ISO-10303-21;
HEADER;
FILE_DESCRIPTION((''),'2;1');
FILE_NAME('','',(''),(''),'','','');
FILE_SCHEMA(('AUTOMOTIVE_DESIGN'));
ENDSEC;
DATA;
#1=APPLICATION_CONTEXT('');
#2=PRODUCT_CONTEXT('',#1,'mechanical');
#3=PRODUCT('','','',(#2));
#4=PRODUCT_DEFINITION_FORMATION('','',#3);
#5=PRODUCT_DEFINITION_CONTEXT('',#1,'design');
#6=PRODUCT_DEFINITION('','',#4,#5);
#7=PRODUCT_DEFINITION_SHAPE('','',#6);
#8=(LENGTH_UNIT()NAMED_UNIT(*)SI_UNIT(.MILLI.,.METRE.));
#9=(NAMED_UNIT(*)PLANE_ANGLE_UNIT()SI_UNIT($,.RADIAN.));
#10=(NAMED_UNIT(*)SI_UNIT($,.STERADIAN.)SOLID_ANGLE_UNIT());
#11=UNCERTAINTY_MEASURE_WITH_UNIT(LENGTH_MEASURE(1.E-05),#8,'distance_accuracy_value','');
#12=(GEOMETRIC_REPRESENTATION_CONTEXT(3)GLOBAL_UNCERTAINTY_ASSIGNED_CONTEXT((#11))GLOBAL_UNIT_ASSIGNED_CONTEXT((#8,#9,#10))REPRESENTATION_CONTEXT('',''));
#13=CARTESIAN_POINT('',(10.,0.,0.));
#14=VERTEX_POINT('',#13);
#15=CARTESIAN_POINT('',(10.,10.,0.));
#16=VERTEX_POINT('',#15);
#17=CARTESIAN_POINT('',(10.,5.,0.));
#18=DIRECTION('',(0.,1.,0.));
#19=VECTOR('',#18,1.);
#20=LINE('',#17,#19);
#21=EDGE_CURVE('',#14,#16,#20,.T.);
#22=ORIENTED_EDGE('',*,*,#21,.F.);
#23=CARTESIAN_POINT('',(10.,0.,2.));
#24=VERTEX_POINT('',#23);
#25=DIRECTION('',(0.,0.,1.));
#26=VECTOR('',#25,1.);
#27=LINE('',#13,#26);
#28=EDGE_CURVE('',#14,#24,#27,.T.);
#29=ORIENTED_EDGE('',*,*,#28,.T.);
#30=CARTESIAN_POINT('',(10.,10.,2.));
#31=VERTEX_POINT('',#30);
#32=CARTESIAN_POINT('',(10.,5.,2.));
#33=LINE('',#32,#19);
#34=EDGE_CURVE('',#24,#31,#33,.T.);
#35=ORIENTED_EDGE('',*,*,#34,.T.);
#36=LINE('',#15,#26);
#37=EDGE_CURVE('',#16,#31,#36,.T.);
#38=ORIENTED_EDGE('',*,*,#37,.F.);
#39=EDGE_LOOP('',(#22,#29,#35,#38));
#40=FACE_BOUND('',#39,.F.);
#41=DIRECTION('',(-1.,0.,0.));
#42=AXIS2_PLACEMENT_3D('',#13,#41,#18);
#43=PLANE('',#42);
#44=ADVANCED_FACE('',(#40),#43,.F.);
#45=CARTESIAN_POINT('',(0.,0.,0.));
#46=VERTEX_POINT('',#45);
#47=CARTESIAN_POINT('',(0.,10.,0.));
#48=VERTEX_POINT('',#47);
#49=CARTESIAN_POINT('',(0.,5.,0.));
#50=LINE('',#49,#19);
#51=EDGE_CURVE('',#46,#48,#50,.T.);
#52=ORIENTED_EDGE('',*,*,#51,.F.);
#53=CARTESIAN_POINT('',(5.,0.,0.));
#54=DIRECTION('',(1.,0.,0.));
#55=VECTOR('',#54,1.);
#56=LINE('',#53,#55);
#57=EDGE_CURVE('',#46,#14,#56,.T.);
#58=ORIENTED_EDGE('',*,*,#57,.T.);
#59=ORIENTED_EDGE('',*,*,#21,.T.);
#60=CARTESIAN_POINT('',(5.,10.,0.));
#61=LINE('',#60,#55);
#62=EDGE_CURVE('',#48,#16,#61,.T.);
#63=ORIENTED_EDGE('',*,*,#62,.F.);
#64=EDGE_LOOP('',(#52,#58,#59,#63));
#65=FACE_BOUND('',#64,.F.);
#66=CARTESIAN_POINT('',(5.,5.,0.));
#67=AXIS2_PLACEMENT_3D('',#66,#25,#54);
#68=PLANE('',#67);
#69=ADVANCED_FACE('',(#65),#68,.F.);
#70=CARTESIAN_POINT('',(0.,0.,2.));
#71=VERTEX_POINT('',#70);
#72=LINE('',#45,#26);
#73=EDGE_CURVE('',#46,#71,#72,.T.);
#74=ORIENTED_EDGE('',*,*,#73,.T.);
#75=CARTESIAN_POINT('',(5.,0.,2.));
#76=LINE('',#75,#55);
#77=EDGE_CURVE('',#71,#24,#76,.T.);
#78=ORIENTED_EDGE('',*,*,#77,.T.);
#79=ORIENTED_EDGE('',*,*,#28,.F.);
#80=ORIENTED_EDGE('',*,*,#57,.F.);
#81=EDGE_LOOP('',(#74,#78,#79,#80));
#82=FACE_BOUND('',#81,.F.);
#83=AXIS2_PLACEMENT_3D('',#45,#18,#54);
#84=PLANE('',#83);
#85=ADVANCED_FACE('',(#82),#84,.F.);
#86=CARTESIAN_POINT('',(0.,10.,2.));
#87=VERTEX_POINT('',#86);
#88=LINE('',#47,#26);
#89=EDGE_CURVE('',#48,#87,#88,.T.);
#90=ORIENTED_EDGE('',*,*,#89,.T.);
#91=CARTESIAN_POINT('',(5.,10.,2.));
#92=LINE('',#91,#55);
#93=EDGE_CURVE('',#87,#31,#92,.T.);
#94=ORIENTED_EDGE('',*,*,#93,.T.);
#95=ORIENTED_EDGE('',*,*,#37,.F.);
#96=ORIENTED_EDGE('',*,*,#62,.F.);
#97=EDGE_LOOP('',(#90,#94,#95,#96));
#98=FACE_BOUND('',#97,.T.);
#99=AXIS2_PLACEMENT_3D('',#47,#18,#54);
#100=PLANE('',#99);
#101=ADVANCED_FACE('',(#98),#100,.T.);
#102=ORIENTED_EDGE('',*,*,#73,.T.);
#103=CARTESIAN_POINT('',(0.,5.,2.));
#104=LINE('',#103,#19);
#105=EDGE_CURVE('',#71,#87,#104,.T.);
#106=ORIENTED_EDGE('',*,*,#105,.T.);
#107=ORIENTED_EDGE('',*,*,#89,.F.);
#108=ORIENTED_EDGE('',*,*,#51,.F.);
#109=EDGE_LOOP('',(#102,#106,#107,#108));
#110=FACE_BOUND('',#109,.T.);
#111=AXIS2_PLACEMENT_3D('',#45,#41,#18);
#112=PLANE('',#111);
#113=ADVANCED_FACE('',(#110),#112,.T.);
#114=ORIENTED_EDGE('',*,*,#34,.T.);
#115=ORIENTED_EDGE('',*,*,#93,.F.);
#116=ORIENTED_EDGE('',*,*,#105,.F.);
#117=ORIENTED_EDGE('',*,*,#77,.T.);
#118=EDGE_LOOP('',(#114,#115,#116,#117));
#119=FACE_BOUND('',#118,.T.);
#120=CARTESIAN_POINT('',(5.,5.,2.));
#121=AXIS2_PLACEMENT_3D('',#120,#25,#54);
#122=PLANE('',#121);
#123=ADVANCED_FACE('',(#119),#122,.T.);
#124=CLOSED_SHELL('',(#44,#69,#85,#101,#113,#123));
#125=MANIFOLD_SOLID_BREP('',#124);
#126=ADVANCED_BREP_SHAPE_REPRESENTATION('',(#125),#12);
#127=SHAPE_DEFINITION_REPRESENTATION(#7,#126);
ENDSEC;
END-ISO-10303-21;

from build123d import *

# Parameters (mm, degrees)
BOX_W     = 10
BOX_H     = 10
BOX_DEPTH = 2


with BuildPart() as part:
    # Box → Box (new body)
    with BuildSketch(Plane.XY):
        with Locations((5, 5)):
            Rectangle(BOX_W, BOX_H)
    extrude(amount=BOX_DEPTH)


solid = part.part
